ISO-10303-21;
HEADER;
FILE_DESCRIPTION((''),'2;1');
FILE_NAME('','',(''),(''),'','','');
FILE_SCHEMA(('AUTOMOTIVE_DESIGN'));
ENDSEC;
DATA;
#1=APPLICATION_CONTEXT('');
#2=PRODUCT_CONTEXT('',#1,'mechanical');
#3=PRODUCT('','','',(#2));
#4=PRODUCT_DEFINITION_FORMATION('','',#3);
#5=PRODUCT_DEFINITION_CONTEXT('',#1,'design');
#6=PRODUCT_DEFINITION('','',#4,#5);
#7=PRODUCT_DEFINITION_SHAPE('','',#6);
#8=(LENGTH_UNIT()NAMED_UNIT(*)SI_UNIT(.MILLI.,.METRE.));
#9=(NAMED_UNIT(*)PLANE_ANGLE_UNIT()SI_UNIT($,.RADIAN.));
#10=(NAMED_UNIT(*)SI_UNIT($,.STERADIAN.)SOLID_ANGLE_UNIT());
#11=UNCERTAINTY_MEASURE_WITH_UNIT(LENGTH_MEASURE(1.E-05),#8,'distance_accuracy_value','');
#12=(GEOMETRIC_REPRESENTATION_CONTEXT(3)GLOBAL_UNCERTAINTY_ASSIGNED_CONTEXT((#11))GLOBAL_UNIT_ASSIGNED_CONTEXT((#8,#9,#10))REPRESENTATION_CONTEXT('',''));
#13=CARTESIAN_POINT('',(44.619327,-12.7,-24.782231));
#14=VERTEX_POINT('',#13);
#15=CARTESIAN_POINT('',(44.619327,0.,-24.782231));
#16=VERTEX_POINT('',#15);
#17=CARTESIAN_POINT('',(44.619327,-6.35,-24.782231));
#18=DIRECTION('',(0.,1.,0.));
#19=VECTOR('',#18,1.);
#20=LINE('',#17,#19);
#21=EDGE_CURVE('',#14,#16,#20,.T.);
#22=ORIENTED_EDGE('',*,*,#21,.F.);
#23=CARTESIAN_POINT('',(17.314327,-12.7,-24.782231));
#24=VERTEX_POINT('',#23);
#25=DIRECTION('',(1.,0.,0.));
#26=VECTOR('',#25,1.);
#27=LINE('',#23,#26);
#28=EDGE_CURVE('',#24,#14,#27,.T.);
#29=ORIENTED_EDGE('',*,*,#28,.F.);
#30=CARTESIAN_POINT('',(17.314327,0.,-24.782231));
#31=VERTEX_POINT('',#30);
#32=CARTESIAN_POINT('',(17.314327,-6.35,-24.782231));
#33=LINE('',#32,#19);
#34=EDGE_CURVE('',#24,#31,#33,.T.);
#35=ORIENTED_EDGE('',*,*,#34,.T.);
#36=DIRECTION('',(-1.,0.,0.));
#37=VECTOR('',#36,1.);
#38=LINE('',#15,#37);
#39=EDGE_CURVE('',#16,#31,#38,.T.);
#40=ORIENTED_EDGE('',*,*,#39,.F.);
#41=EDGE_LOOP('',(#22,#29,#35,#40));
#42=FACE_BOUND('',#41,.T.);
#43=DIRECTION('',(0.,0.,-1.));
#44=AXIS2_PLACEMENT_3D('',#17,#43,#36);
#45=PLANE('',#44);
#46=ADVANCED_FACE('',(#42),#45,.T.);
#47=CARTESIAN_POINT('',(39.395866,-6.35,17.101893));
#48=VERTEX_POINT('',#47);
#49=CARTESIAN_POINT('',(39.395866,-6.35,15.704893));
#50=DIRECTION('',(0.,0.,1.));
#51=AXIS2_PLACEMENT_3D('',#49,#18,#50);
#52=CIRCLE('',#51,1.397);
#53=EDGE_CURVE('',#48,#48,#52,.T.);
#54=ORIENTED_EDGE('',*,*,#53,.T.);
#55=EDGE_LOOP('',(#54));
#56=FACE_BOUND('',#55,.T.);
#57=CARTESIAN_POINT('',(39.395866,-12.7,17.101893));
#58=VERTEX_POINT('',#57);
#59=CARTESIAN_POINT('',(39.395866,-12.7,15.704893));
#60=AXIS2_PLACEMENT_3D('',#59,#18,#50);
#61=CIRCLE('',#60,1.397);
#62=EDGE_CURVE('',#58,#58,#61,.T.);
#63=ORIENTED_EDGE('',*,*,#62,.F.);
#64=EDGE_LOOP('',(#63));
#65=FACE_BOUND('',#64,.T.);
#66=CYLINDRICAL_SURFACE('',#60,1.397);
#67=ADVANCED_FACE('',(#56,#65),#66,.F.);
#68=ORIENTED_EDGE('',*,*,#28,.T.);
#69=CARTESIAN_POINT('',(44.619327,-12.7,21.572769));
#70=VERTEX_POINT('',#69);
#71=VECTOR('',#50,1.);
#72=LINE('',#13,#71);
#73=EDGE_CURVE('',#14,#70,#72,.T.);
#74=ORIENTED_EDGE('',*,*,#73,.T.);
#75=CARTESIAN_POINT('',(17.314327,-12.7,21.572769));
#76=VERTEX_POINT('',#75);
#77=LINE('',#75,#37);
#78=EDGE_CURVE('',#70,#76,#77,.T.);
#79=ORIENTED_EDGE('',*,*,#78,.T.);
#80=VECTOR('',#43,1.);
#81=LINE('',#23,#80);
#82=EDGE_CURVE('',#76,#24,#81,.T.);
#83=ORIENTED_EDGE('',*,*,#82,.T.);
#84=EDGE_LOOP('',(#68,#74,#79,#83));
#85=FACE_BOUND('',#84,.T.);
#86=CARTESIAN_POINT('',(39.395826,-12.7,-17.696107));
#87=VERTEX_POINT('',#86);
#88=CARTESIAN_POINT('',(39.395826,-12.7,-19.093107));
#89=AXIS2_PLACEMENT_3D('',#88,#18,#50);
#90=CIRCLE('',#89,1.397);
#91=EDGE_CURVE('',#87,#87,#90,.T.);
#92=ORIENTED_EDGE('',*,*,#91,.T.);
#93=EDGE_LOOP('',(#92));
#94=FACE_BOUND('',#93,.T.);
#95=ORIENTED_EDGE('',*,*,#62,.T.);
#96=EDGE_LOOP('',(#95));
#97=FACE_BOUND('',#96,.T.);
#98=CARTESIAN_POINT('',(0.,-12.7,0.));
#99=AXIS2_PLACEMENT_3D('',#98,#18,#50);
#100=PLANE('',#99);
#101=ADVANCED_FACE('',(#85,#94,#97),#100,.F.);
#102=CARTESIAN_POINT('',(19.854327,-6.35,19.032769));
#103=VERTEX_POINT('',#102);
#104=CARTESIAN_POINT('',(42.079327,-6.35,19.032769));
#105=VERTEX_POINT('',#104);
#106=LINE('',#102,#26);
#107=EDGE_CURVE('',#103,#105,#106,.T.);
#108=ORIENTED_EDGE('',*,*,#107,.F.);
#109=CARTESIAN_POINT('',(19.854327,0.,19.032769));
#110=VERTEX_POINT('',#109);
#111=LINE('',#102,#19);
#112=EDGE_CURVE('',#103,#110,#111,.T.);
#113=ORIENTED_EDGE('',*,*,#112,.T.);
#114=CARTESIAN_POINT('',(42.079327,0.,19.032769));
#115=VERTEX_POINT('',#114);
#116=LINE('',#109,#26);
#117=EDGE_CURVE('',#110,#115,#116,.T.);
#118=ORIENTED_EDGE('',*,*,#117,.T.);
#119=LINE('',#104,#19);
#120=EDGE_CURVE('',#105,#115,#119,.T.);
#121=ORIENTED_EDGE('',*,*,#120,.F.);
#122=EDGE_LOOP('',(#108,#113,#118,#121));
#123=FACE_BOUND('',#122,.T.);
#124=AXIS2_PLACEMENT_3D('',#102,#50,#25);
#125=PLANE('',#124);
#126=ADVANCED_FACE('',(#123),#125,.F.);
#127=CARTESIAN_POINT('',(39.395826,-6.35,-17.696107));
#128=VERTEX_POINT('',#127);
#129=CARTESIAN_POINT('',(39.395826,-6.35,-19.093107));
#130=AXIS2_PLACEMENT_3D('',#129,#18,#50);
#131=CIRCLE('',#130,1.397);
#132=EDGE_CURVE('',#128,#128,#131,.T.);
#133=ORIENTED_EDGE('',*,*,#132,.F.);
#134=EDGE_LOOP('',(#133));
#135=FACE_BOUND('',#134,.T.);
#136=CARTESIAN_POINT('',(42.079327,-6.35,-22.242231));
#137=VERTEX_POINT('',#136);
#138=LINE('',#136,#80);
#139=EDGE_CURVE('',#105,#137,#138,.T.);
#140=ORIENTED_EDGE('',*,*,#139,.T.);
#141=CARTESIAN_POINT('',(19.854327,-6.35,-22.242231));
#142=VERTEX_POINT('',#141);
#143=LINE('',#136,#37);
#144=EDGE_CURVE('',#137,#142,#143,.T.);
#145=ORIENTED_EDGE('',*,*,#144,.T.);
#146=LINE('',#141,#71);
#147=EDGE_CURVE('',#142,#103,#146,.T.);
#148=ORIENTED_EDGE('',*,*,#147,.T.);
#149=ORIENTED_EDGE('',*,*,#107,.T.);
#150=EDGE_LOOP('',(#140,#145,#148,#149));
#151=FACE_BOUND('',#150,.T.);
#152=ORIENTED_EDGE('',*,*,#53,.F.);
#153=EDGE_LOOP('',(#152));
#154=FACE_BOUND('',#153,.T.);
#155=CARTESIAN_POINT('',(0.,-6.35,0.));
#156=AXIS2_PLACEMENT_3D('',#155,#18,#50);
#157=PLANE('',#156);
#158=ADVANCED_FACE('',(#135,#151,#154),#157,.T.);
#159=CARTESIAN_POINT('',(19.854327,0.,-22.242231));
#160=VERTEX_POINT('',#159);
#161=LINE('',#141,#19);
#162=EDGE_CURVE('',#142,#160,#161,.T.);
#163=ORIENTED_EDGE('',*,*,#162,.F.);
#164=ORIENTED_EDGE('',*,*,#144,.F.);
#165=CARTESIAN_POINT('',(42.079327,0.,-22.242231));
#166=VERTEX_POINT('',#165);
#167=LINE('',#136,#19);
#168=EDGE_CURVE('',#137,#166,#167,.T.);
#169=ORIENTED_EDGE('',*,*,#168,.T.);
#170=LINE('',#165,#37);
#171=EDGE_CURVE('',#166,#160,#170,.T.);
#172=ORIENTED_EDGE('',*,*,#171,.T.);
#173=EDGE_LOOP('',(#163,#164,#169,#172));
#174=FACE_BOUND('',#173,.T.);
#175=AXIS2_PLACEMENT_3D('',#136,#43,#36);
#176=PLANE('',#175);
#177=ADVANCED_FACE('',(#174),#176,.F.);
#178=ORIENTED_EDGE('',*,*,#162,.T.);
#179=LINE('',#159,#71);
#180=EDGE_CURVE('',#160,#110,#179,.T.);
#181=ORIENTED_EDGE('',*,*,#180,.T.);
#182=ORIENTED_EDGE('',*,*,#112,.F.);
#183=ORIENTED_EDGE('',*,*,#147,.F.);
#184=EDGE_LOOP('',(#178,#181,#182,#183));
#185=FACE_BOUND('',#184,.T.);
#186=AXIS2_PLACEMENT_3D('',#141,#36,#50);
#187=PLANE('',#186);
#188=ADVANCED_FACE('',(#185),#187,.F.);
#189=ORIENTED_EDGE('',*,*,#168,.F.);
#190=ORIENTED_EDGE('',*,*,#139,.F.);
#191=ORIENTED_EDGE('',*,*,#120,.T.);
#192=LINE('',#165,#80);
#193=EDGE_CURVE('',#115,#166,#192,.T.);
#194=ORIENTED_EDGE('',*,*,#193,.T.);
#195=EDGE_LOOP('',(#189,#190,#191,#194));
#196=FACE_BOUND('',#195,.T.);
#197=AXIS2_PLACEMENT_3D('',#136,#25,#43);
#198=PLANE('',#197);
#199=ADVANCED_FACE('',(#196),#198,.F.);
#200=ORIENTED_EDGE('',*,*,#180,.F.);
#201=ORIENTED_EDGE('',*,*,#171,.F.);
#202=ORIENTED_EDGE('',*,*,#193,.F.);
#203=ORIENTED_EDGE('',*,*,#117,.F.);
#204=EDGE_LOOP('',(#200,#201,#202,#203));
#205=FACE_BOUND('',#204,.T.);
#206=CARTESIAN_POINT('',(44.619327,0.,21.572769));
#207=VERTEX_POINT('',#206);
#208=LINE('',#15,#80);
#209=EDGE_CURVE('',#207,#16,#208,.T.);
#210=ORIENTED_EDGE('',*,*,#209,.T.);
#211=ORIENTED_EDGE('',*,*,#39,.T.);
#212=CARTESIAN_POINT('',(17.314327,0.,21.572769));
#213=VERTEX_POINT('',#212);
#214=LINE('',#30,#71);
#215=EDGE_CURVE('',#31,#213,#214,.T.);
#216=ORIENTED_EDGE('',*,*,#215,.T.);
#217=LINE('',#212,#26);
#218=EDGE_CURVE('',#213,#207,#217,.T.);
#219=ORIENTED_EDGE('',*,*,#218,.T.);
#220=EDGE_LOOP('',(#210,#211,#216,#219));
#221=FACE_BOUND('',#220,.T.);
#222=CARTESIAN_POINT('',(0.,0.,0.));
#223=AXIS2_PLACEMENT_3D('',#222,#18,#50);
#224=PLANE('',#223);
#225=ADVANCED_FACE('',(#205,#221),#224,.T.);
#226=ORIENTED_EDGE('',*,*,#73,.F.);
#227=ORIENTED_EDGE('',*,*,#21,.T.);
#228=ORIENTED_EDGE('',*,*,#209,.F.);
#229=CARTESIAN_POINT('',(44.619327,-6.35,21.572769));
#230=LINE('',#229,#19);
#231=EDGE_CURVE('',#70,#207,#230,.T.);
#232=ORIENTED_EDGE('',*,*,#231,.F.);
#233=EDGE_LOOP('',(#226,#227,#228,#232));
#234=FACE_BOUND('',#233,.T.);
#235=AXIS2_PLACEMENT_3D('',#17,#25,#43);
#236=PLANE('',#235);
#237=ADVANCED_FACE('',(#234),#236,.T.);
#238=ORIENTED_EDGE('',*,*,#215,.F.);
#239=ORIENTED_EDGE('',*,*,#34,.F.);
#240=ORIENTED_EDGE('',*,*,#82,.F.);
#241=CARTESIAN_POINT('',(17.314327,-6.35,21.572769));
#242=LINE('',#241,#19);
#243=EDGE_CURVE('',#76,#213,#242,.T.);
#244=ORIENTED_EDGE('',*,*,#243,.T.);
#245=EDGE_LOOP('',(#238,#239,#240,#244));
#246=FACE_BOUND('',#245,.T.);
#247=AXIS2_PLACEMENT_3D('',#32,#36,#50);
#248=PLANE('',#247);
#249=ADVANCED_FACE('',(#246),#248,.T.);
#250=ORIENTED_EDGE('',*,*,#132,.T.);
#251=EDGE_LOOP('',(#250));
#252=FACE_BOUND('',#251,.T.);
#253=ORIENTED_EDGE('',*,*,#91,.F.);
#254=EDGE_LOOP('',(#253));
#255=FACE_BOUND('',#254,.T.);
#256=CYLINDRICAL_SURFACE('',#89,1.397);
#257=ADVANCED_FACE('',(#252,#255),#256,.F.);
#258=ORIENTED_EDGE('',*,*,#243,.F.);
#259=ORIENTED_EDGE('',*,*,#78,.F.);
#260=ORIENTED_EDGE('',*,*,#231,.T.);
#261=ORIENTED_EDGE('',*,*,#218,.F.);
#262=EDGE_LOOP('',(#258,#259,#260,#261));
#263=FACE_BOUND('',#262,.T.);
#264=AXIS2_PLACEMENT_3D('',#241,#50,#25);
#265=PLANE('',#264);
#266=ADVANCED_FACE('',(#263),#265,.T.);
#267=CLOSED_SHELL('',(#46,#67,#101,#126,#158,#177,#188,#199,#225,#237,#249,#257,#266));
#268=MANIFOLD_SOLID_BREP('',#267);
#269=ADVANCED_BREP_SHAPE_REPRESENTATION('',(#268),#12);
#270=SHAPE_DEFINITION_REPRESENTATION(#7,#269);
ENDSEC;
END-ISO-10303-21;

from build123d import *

# Parameters (mm, degrees)
SKETCH1_W           = 27.305
SKETCH1_H           = 46.355
SKETCH1_W_2         = 22.225
SKETCH1_H_2         = 41.275
BOSS_EXTRUDE1_DEPTH = 6.35
SKETCH3_W           = 27.305
SKETCH3_H           = 46.355
BOSS_EXTRUDE2_DEPTH = 6.35
SKETCH4_R           = 1.397
CUT_EXTRUDE1_DEPTH  = 6.35


with BuildPart() as part:
    # Sketch1 → Boss-Extrude1 (new body)
    with BuildSketch(Plane(origin=(0, 0, 0), x_dir=(1, 0, 0), z_dir=(0, 1, 0))):
        with Locations((30.966827497, 1.604730882)):
            Rectangle(SKETCH1_W, SKETCH1_H)
        with Locations((30.966827497, 1.604730882)):
            Rectangle(SKETCH1_W_2, SKETCH1_H_2, mode=Mode.SUBTRACT)
    extrude(amount=-BOSS_EXTRUDE1_DEPTH)

    # Sketch3 → Boss-Extrude2 (add)
    with BuildSketch(Plane(origin=(0, -6.35, 0), x_dir=(-1, 0, 0), z_dir=(0, -1, 0))):
        with Locations((-30.966827497, 1.604730882)):
            Rectangle(SKETCH3_W, SKETCH3_H)
    extrude(amount=BOSS_EXTRUDE2_DEPTH)

    # Sketch4 → Cut-Extrude1 (cut)
    with BuildSketch(Plane(origin=(0, -6.35, 0), x_dir=(1, 0, 0), z_dir=(0, 1, 0))):
        with Locations(Location((39.395825841, 19.093107215, 0), (0, 0, 270))):
            Circle(SKETCH4_R)
        with Locations(Location((39.395865865, -15.704892785, 0), (0, 0, 270))):
            Circle(SKETCH4_R)
    extrude(amount=-CUT_EXTRUDE1_DEPTH, mode=Mode.SUBTRACT)


solid = part.part
